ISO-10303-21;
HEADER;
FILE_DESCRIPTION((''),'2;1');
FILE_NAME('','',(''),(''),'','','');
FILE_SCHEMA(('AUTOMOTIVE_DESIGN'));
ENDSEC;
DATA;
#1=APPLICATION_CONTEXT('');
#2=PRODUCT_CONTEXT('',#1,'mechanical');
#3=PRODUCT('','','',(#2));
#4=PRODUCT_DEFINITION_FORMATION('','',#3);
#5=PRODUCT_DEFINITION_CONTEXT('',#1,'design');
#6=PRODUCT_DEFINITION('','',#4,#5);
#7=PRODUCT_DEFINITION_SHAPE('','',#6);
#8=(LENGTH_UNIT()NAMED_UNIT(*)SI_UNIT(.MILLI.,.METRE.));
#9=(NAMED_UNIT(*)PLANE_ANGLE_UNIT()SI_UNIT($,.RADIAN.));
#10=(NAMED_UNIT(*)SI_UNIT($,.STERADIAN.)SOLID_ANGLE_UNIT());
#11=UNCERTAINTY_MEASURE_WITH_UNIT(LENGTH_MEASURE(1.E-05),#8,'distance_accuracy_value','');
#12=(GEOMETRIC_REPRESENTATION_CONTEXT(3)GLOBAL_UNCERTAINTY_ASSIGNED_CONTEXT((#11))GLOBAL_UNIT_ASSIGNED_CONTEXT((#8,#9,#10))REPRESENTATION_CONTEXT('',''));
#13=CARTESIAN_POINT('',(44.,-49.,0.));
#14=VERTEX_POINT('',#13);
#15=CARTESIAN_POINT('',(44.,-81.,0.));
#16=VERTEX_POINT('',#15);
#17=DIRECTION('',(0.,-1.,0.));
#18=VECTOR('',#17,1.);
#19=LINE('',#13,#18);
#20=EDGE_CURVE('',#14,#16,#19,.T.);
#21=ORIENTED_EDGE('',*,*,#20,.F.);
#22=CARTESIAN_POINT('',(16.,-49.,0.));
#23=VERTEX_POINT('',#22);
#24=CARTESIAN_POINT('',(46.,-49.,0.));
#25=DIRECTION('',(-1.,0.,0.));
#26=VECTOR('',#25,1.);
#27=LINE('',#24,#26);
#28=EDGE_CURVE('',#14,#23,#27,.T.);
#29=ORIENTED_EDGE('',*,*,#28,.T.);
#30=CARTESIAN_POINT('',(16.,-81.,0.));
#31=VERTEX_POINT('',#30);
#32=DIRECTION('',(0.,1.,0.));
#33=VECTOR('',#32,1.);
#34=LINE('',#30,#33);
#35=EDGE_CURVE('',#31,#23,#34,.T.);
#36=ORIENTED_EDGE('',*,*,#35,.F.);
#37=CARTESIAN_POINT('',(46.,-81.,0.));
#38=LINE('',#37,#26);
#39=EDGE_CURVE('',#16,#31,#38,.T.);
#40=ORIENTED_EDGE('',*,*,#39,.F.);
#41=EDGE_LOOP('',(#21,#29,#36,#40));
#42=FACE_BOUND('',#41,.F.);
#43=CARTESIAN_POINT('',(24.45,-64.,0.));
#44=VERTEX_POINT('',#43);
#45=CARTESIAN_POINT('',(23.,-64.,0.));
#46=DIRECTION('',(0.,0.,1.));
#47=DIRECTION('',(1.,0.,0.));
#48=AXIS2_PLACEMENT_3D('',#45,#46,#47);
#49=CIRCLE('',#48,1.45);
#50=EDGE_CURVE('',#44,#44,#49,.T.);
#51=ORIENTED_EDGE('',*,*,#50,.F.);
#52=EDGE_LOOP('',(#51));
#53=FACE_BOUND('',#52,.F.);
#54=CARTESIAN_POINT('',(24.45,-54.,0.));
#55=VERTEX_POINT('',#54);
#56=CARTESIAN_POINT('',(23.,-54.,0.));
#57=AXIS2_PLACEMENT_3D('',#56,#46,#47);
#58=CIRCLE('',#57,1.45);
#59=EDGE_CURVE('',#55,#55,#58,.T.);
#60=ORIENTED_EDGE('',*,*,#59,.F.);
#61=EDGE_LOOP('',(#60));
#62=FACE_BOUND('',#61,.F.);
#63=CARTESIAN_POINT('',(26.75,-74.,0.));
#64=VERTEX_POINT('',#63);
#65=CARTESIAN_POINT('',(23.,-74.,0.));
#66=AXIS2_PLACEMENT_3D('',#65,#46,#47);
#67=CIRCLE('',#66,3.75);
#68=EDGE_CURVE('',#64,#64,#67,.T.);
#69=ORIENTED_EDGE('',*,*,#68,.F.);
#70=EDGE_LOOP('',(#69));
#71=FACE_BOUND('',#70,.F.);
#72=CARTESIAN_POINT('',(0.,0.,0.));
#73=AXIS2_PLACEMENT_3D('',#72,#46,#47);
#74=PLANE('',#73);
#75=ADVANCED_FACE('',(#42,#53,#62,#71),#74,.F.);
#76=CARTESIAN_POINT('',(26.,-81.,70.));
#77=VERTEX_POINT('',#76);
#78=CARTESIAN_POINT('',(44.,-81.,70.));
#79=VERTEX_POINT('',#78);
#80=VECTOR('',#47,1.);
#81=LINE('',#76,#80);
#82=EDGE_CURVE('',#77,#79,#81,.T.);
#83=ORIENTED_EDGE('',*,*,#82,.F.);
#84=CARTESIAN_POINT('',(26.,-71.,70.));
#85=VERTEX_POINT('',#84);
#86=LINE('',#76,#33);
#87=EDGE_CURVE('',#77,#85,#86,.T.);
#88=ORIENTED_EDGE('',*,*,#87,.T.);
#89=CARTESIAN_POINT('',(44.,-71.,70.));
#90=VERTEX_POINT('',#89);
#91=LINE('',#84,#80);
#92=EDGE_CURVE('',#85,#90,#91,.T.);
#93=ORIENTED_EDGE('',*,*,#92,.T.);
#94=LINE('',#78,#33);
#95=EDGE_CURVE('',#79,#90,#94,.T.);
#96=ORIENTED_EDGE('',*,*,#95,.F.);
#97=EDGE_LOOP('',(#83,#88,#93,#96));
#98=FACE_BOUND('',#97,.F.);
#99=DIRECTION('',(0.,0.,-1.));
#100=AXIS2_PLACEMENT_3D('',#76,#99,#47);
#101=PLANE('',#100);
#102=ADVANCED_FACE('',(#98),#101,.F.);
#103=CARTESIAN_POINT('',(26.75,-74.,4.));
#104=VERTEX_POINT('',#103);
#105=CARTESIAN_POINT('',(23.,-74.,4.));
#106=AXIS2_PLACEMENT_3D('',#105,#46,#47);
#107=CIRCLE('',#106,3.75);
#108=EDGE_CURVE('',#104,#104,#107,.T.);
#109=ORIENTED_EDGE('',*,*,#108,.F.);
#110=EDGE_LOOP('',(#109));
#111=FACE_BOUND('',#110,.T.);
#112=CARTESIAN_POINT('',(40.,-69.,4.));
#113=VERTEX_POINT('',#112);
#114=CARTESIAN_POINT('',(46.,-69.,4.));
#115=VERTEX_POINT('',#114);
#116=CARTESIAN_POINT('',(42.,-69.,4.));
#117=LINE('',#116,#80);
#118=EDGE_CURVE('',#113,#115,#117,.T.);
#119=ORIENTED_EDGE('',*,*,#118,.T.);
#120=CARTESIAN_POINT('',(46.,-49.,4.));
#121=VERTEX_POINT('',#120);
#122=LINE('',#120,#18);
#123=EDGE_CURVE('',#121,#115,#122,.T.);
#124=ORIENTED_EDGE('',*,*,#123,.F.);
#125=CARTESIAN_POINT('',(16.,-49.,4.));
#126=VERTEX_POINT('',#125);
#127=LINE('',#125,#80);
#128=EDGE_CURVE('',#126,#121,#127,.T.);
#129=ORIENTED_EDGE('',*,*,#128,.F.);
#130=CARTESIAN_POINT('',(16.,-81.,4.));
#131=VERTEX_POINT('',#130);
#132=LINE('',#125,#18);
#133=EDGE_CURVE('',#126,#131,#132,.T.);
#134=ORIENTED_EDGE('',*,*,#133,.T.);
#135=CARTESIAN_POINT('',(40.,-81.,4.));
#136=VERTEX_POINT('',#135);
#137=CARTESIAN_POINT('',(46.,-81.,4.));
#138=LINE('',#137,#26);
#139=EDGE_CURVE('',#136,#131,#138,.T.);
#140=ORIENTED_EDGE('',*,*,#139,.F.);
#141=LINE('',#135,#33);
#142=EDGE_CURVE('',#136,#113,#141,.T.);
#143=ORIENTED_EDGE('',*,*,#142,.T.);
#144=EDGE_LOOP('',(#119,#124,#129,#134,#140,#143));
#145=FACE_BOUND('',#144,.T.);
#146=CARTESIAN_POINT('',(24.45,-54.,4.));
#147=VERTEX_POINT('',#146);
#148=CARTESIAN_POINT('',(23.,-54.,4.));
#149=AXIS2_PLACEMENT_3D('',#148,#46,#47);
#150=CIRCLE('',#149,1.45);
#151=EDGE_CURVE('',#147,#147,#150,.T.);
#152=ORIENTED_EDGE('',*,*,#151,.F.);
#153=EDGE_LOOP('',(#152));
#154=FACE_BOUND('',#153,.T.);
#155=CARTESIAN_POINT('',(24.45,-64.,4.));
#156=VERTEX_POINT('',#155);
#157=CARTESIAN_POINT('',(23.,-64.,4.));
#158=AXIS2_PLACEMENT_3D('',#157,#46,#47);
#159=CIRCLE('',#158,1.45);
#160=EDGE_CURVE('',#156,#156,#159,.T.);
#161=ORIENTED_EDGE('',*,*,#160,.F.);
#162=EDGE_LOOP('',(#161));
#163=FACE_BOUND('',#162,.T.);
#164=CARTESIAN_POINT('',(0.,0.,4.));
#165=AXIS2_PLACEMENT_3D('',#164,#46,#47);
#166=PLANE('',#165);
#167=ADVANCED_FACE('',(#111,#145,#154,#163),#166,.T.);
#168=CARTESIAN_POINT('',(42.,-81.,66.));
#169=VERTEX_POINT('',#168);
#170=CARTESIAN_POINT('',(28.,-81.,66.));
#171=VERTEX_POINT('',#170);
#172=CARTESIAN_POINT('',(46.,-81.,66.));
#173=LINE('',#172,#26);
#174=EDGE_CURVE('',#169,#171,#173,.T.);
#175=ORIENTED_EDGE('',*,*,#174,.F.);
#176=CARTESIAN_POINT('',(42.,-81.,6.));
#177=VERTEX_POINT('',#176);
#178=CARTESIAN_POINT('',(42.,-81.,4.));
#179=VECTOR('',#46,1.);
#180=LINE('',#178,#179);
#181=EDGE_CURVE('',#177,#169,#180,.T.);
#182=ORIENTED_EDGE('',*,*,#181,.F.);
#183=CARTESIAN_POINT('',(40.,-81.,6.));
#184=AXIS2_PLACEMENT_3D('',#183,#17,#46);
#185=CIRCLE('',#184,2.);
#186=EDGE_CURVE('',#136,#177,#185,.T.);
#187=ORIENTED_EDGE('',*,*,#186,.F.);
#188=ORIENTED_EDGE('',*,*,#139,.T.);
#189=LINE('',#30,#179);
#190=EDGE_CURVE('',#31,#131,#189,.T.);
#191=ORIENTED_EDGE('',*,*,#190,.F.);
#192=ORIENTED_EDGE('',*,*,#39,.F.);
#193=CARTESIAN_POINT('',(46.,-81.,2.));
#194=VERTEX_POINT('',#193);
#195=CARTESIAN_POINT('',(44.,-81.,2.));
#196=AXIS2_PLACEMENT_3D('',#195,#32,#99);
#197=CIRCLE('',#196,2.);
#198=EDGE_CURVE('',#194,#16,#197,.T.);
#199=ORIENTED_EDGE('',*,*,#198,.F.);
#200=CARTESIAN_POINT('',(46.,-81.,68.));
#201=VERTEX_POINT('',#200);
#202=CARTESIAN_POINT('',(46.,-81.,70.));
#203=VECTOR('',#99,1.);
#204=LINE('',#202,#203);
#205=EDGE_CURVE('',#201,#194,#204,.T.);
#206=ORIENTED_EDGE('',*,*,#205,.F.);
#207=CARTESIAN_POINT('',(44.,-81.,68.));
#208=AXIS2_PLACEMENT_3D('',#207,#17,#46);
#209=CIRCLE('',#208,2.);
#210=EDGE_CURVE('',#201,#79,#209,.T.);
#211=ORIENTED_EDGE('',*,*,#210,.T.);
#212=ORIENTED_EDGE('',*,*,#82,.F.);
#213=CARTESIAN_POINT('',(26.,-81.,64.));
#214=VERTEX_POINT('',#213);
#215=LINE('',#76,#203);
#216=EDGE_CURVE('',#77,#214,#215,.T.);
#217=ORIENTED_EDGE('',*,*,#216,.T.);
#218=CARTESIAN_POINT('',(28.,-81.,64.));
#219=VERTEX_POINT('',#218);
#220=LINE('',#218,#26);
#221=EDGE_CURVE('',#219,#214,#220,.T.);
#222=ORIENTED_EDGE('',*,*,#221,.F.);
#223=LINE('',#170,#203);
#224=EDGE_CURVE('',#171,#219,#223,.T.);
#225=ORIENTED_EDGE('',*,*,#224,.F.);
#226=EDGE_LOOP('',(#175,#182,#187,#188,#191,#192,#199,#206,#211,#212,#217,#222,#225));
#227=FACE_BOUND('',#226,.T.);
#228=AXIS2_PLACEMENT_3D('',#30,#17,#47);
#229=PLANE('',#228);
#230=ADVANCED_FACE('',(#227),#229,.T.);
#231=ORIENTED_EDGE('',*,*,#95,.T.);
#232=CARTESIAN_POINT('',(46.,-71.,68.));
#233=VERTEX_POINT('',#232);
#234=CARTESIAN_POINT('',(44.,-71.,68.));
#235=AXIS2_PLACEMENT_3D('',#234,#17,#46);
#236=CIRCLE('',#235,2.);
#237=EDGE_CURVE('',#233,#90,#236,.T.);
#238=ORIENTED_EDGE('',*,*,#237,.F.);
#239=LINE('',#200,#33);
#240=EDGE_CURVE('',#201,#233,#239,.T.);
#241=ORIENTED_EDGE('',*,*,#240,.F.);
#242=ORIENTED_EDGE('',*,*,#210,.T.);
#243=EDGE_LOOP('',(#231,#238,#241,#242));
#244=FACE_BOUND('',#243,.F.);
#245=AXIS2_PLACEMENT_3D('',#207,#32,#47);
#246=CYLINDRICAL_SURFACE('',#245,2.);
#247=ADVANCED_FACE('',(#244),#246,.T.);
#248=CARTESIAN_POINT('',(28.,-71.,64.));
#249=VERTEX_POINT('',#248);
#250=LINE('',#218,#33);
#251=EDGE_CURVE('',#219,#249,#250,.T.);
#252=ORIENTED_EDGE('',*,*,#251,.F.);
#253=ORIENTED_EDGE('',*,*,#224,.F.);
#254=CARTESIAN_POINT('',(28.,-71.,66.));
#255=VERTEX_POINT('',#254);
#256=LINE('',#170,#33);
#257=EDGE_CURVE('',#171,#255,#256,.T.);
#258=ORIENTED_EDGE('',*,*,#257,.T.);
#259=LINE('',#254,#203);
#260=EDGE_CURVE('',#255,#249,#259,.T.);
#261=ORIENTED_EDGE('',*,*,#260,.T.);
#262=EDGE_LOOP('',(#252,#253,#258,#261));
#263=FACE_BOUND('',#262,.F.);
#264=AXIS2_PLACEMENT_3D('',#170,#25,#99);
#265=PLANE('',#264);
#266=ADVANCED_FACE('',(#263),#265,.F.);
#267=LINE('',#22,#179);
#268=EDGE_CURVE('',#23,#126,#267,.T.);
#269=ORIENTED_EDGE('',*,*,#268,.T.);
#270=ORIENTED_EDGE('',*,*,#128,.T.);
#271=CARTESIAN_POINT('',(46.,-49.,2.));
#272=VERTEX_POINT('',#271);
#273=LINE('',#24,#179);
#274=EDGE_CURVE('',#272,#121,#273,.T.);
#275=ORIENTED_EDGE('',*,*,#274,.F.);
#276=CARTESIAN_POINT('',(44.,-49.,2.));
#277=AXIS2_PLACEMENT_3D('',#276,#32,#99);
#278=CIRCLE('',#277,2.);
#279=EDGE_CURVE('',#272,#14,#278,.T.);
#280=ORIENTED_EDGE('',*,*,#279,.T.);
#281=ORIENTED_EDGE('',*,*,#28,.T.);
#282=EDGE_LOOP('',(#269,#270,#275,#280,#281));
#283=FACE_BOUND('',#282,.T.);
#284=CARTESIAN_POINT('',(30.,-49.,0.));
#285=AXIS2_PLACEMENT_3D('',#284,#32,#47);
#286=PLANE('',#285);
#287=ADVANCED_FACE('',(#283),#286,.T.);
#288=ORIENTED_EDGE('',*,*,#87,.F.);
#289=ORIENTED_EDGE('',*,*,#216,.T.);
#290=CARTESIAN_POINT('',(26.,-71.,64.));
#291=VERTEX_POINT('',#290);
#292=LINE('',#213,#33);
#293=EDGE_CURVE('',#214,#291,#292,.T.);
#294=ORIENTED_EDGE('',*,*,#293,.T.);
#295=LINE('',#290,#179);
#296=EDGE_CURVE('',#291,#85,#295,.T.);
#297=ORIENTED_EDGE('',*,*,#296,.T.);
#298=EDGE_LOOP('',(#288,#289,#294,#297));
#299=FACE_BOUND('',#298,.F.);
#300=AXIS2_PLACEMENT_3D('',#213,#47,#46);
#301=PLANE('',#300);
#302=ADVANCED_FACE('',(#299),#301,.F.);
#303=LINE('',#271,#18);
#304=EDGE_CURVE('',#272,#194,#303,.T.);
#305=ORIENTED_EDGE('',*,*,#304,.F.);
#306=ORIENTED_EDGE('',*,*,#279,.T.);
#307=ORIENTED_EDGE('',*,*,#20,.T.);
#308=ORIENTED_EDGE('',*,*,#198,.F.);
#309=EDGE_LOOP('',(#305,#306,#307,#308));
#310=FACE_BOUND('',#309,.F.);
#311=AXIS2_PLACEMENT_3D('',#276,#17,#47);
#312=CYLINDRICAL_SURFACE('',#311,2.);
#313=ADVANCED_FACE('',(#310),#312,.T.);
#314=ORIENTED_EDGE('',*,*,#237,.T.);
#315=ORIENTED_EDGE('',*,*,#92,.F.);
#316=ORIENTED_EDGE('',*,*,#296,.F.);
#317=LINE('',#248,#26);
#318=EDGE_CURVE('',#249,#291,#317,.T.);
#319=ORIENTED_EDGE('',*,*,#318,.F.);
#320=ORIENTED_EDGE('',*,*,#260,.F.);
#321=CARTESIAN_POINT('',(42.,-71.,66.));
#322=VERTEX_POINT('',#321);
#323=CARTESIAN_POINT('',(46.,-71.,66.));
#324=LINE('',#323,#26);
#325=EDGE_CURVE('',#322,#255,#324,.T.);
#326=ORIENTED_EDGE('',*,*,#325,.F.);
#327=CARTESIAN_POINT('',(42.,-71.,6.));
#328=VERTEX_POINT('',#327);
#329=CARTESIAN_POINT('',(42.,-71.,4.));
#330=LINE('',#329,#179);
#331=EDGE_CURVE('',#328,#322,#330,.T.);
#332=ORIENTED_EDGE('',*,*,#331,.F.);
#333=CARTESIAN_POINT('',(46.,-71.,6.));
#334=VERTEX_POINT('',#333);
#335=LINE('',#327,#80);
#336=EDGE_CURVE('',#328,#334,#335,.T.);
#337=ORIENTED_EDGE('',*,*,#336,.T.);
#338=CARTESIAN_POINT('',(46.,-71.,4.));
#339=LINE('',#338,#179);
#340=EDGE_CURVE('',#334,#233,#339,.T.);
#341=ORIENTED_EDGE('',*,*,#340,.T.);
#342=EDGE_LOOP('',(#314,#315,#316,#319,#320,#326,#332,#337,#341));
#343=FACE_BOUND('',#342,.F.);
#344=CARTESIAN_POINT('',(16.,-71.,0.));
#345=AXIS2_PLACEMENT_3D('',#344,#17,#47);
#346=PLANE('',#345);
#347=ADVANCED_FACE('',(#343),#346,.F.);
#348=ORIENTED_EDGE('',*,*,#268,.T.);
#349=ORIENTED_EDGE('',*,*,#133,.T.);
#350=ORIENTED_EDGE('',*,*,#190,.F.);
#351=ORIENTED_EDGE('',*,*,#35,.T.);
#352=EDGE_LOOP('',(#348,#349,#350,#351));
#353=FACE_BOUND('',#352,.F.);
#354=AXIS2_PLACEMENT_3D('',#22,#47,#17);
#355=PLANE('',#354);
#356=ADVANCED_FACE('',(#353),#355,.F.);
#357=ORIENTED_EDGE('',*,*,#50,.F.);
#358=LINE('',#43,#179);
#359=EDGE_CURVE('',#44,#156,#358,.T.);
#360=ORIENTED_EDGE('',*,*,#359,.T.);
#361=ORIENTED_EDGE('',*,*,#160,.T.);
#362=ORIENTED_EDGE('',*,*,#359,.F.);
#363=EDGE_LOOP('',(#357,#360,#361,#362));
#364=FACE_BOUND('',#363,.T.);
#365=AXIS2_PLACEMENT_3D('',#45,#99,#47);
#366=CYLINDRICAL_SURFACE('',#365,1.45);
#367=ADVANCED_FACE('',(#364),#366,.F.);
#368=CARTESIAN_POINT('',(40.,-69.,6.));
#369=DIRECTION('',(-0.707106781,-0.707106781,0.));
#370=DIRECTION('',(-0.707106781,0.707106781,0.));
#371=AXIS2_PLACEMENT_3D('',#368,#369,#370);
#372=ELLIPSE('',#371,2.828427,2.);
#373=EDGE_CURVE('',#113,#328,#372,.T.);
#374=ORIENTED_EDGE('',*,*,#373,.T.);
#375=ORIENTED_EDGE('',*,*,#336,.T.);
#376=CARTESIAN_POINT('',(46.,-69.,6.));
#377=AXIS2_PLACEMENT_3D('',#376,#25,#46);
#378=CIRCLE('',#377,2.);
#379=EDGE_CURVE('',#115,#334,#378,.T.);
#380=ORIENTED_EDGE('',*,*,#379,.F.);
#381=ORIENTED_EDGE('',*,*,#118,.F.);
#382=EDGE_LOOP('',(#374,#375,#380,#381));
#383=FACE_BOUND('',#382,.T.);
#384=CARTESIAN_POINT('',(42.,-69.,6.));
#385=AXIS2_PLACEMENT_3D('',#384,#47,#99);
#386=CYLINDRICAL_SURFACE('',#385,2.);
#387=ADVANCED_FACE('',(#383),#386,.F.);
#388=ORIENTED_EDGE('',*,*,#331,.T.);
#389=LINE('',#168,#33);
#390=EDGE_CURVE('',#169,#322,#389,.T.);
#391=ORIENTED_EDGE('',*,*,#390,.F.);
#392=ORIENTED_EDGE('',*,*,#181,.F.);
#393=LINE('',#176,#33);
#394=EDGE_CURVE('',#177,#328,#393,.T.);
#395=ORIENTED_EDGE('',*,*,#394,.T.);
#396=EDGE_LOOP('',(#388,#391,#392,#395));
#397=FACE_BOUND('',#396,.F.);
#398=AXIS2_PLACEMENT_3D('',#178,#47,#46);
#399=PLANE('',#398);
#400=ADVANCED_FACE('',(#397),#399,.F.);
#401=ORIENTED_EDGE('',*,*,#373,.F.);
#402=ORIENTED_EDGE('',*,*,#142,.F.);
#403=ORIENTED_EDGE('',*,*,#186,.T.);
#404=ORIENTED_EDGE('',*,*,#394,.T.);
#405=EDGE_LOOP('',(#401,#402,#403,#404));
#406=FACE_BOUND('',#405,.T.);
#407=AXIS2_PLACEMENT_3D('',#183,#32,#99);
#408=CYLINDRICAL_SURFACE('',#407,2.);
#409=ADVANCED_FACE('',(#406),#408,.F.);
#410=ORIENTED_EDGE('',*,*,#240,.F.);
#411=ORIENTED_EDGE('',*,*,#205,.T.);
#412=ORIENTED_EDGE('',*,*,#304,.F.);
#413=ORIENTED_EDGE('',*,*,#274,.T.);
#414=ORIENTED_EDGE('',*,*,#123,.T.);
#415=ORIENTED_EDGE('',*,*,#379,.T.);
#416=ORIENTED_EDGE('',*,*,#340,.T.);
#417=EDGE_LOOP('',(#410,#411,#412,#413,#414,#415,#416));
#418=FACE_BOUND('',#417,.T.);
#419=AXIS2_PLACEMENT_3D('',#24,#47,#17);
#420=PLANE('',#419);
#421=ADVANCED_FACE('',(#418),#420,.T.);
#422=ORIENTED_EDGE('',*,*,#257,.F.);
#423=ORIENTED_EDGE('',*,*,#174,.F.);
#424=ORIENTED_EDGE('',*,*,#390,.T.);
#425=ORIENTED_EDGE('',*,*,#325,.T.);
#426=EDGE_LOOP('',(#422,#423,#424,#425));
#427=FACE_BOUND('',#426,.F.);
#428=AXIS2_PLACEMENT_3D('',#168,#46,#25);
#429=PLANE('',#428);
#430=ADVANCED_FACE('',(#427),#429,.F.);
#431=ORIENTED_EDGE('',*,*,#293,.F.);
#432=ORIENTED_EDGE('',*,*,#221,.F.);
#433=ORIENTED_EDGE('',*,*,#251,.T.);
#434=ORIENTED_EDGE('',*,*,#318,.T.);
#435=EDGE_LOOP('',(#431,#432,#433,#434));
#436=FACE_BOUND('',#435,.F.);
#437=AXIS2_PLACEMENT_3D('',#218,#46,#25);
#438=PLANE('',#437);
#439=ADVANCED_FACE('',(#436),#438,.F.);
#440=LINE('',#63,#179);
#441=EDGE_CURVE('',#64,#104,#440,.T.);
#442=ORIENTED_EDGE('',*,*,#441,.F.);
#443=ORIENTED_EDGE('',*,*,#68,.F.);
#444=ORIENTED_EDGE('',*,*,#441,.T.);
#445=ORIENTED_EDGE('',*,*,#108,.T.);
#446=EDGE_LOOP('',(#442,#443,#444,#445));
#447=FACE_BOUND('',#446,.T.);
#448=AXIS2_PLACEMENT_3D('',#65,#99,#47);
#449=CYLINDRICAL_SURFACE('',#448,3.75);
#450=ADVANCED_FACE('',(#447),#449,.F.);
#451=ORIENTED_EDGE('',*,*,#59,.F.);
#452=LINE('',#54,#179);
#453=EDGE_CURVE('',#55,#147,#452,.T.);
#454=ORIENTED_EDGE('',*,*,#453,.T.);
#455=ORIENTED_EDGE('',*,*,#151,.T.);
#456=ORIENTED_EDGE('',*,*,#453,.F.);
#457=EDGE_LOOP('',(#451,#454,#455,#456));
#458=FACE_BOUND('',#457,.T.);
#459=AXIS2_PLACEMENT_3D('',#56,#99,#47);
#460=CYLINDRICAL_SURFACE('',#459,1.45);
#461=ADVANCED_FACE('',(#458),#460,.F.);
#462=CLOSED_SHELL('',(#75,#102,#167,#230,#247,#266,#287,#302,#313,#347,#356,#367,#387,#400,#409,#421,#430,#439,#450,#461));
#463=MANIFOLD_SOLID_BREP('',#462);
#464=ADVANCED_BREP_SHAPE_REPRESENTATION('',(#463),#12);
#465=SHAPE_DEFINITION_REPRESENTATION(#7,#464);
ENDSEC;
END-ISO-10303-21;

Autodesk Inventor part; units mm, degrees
ref_plane "YZ Plane" through (0, 0, 0) normal (1, 0, 0) x (0, 1, 0)
ref_plane "XZ Plane" through (0, 0, 0) normal (0, 1, 0) x (-1, 0, 0)
ref_plane "XY Plane" through (0, 0, 0) normal (0, 0, 1) x (1, 0, 0)
ref_plane "Work Plane1" through (0, 0, 0) normal (0, 0, 1) x (1, 0, 0)
sketch "Sketch1" plane through (0, 0, 0) normal (0, 0, 1) x (1, 0, 0)
  line L0 (-30, -73.2876) -> (-18.6416, -61.9292) projected
  line L1 (-18.6416, -61.9292) -> (-17.5809, -62.9898) projected
  line L2 (-17.5809, -62.9898) -> (-30, -75.4089) projected
  line L3 (-30, -75.4089) -> (-30, -76) projected
  arc A0 (-30, -76) -> (-26, -80) centre (-26, -76) ccw projected
  line L4 (-18, -80) -> (-26, -80) projected
  arc A1 (-18, -80) -> (-14, -76) centre (-18, -76) ccw projected
  line L5 (-14, -34) -> (-14, -76) projected
  arc A2 (-10, -30) -> (-14, -34) centre (-10, -34) ccw projected
  line L6 (-10, -30) -> (12, -30) projected
  arc A3 (16, -34) -> (12, -30) centre (12, -34) ccw projected
  line L7 (16, -34) -> (16, -76) projected
  arc A4 (16, -76) -> (20, -80) centre (20, -76) ccw projected
  line L8 (20, -80) -> (26, -80) projected
  arc A5 (26, -80) -> (30, -76) centre (26, -76) ccw projected
  line L9 (30, 28) -> (30, -76) projected
  line L10 (30, 28) -> (28, 30) projected
  line L11 (28, 30) -> (-28, 30) projected
  line L12 (-28, 30) -> (-30, 28) projected
  line L13 (-30, 28) -> (-30, -73.2876) projected
  circle A6 centre (-10, -25) radius 1.45 projected
  circle A7 centre (-10, 25) radius 1.45 projected
  circle A8 centre (10, 25) radius 1.45 projected
  circle A9 centre (10, -25) radius 1.45 projected
  circle A10 centre (25, -10) radius 1.45 projected
  circle A11 centre (-25, -10) radius 1.45 projected
  circle A12 centre (-25, 10) radius 1.45 projected
  circle A13 centre (25, 10) radius 1.45 projected
  circle A14 centre (-17.5, -17.5) radius 1.95 projected
  circle A15 centre (17.5, 17.5) radius 1.95 projected
  circle A16 centre (17.5, -17.5) radius 1.95 projected
  circle A17 centre (-17.5, 17.5) radius 1.95 projected
  circle A18 centre (-25, 25) radius 2.325 projected
  circle A19 centre (25, -25) radius 2.325 projected
  circle A20 centre (-25, -25) radius 2.325 projected
  circle A21 centre (25, 25) radius 2.325 projected
  circle A22 centre (0, 0) radius 16 projected
  circle A23 centre (23, -74) radius 3.75 projected
  circle A24 centre (23, -64) radius 1.45 projected
  circle A25 centre (23, -54) radius 1.45 projected
  line L14 (16, -49) -> (46, -49)
  line L15 (46, -49) -> (46, -81)
  line L16 (46, -81) -> (16, -81)
  line L17 (16, -81) -> (16, -49)
  point P0 (0, 0)
  dimension "d0" = 30
  dimension "d1" = 32
  dimension "d2" = 5
extrude "Extrusion1" add sketch "Sketch1" along normal blind 4 contours L14 L15 L16 L17 A4 L8 A5 L9 | L9 A5 L8 A4 L7 L14
sketch "Sketch2" plane through (16, -81, 0) normal (0, -1, 0) x (1, 0, 0)
  line L0 (0, 0) -> (30, 0) projected
  line L1 (30, 0) -> (30, 4) projected
  line L2 (0, 4) -> (30, 4) projected
  line L3 (0, 0) -> (0, 4) projected
  line L4 (30, 4) -> (26, 4)
  line L5 (26, 4) -> (26, 66)
  line L6 (26, 66) -> (30, 66)
  line L7 (30, 66) -> (30, 4)
  line L8 (30, 66) -> (10, 66)
  line L9 (10, 66) -> (10, 70)
  line L10 (10, 70) -> (30, 70)
  line L11 (30, 70) -> (30, 66)
  point P0 (-16, 0)
  point P1 (26, 4)
  dimension "d5" = 4
  dimension "d6" = 62
  dimension "d7" = 20
  dimension "d8" = 4
extrude "Extrusion2" add sketch "Sketch2" against normal blind 10 contours L2 L5 L6 L7 | L6 L8 L9 L10 L11
fillet "Fillet1" radius 2 4 edges at (46, -76, 70) (42, -76, 4) (44, -71, 4) (46, -65, 0)
sketch "Sketch3" plane through (16, -81, 0) normal (0, -1, 0) x (1, 0, 0)
  line L0 (10, 66) -> (10, 70) projected
  line L1 (10, 66) -> (12, 66)
  line L2 (12, 66) -> (12, 64)
  line L3 (12, 64) -> (10, 64)
  line L4 (10, 64) -> (10, 66)
  point P0 (-16, 0)
  dimension "d12" = 2
  dimension "d13" = 2
extrude "Extrusion3" add sketch "Sketch3" against normal blind 10
properties part number "30_XY_Sample_lightsheetarm_sample_v3"
